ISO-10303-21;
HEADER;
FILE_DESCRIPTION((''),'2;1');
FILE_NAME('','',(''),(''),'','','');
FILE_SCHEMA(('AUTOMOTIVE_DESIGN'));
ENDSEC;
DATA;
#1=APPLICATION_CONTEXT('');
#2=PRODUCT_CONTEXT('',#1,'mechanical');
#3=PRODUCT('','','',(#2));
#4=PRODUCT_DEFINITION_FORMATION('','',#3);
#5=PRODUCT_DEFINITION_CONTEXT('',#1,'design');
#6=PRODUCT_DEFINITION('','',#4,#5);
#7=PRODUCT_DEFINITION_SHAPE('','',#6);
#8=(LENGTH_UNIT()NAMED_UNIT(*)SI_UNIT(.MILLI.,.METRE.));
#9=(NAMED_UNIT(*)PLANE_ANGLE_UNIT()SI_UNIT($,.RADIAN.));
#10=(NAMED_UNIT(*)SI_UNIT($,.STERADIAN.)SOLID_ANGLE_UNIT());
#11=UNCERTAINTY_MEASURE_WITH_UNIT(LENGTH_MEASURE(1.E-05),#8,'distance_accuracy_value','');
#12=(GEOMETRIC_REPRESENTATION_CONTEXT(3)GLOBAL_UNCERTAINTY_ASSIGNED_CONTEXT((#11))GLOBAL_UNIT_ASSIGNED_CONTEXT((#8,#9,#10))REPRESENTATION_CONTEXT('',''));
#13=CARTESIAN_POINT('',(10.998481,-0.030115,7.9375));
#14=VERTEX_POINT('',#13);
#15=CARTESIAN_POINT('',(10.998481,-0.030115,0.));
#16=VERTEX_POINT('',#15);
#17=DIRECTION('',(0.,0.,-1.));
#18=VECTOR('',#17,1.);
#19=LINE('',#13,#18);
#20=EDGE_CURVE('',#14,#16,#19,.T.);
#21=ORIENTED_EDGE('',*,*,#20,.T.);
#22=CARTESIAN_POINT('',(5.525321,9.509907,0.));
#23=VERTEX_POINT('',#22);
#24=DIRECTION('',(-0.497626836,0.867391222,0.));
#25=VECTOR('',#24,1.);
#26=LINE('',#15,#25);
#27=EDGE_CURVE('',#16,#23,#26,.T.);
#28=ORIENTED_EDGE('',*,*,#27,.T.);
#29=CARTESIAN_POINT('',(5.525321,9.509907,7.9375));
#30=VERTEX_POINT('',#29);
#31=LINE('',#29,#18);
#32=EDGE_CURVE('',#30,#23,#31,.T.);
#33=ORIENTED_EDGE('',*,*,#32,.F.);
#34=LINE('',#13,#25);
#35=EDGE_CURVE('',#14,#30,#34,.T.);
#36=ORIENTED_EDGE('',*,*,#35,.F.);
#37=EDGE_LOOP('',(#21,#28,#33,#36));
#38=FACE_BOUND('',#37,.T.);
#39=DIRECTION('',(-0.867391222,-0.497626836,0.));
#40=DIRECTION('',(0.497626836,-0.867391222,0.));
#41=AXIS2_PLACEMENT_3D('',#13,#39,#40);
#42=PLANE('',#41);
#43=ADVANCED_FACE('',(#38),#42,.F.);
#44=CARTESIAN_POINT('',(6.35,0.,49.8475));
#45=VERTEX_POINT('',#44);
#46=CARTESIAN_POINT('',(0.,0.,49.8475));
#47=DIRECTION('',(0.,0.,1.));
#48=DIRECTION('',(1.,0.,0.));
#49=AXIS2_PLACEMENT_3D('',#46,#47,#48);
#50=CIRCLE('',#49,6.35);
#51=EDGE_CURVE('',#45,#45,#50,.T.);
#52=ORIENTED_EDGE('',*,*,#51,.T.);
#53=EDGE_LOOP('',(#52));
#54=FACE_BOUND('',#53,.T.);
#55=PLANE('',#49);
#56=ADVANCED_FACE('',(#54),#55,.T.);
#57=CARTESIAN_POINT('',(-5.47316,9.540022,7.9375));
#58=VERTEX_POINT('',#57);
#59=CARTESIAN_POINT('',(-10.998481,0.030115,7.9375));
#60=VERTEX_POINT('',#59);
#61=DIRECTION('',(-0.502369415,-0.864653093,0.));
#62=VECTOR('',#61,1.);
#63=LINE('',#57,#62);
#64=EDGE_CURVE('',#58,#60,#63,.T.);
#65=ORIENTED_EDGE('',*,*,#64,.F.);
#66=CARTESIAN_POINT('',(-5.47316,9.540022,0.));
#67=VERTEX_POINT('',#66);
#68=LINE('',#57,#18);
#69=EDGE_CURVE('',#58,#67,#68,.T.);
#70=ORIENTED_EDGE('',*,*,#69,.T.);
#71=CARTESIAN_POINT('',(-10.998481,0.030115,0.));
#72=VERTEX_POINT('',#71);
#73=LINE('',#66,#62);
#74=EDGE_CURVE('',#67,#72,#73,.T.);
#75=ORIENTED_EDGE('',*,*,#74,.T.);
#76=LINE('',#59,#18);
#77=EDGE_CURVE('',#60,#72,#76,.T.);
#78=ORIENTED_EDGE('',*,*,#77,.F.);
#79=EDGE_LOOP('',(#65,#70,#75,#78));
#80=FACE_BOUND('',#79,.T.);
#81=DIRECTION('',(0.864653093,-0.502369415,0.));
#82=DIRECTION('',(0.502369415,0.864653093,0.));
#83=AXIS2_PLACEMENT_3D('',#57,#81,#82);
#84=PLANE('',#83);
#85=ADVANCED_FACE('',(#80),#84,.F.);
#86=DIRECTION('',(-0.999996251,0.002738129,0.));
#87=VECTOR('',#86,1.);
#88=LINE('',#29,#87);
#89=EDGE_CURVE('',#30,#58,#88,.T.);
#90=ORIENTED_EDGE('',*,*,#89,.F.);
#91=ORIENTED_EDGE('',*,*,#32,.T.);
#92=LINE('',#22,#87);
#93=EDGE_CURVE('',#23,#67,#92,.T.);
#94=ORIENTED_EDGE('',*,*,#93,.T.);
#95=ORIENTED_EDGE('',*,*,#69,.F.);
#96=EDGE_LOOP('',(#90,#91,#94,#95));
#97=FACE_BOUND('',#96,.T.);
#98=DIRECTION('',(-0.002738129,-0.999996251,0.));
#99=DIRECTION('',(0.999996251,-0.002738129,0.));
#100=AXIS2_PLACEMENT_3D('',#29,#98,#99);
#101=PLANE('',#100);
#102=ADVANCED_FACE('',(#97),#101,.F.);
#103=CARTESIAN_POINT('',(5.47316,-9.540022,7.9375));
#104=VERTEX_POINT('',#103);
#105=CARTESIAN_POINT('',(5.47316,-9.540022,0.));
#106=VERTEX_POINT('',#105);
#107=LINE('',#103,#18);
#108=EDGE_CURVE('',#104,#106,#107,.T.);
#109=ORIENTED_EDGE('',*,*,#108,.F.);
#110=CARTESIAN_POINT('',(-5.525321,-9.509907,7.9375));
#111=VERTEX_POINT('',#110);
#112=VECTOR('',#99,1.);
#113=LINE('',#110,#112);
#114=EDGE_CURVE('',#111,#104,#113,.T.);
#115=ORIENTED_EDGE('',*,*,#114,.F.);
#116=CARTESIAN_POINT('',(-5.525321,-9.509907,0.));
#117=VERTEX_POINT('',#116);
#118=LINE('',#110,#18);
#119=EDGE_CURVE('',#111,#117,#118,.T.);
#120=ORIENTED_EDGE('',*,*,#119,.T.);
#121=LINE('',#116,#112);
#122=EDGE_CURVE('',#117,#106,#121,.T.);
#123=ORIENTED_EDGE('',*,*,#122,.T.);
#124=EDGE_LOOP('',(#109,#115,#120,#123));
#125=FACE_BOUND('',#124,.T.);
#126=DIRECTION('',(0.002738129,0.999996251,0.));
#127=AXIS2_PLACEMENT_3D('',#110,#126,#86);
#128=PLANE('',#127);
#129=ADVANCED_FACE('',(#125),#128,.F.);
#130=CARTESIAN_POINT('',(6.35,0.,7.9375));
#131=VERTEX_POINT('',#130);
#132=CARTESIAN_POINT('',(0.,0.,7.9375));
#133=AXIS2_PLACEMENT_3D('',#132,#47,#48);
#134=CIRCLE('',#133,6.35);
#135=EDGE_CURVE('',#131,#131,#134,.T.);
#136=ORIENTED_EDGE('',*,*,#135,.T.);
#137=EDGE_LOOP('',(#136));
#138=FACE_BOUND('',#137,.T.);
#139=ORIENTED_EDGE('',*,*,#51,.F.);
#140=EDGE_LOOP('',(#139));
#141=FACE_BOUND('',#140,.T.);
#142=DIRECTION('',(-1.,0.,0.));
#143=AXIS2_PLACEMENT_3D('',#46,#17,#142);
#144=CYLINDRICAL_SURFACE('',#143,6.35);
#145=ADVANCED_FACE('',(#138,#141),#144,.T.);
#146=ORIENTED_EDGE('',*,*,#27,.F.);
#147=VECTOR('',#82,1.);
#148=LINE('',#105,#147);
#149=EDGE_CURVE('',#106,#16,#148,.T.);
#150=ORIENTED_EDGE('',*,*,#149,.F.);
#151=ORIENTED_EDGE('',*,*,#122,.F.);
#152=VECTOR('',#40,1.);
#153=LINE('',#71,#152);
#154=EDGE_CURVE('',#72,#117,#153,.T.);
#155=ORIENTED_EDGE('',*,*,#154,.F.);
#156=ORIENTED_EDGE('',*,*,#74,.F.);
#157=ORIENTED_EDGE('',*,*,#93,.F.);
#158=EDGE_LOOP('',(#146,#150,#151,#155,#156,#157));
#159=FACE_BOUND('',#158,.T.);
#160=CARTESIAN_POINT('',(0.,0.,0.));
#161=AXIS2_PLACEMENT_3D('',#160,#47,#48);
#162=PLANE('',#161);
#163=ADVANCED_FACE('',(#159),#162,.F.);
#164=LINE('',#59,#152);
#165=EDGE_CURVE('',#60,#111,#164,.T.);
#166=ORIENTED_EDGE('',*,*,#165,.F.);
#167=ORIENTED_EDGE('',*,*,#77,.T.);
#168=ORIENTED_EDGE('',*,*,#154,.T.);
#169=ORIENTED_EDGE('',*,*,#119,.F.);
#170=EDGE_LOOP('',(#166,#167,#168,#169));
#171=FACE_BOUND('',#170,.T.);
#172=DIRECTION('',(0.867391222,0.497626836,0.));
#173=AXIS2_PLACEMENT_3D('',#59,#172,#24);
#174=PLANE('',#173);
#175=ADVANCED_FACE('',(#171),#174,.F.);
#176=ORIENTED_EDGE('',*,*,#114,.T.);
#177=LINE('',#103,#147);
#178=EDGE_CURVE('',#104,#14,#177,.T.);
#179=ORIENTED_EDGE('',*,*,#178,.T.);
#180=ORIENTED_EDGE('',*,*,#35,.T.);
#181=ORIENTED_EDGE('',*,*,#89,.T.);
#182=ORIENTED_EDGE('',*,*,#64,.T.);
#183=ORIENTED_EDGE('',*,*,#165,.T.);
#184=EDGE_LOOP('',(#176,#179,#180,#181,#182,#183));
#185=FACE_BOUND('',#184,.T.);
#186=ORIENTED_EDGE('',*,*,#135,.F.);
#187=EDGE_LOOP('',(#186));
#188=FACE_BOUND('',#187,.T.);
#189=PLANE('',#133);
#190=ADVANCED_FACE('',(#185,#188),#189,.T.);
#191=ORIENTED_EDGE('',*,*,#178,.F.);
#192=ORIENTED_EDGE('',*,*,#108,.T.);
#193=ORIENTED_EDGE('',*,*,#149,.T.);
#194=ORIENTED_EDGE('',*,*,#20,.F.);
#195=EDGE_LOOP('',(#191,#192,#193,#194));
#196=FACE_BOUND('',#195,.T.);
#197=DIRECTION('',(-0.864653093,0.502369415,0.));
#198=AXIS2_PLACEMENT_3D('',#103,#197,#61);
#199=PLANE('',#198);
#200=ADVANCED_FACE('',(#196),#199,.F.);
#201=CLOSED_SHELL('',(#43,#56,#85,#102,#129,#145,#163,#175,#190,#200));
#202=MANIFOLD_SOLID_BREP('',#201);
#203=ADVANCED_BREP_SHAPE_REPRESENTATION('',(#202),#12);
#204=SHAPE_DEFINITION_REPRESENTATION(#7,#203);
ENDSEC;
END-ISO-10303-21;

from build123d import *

# Parameters (mm, degrees)
BOSS_EXTRUDE1_DEPTH = 7.9375
SKETCH2_R           = 6.35
BOSS_EXTRUDE2_DEPTH = 41.91


with BuildPart() as part:
    # Sketch1 → Boss-Extrude1 (new body)
    with BuildSketch(Plane.XY):
        Polygon((5.473160021, -9.54002198), (10.998481398, -0.030115373), (5.525321377, 9.509906607), (-5.473160021, 9.54002198), (-10.998481398, 0.030115373), (-5.525321377, -9.509906607), align=None)
    extrude(amount=BOSS_EXTRUDE1_DEPTH)

    # Sketch2 → Boss-Extrude2 (add)
    with BuildSketch(Plane.XY.offset(7.9375)):
        Circle(SKETCH2_R)
    extrude(amount=BOSS_EXTRUDE2_DEPTH)


solid = part.part
